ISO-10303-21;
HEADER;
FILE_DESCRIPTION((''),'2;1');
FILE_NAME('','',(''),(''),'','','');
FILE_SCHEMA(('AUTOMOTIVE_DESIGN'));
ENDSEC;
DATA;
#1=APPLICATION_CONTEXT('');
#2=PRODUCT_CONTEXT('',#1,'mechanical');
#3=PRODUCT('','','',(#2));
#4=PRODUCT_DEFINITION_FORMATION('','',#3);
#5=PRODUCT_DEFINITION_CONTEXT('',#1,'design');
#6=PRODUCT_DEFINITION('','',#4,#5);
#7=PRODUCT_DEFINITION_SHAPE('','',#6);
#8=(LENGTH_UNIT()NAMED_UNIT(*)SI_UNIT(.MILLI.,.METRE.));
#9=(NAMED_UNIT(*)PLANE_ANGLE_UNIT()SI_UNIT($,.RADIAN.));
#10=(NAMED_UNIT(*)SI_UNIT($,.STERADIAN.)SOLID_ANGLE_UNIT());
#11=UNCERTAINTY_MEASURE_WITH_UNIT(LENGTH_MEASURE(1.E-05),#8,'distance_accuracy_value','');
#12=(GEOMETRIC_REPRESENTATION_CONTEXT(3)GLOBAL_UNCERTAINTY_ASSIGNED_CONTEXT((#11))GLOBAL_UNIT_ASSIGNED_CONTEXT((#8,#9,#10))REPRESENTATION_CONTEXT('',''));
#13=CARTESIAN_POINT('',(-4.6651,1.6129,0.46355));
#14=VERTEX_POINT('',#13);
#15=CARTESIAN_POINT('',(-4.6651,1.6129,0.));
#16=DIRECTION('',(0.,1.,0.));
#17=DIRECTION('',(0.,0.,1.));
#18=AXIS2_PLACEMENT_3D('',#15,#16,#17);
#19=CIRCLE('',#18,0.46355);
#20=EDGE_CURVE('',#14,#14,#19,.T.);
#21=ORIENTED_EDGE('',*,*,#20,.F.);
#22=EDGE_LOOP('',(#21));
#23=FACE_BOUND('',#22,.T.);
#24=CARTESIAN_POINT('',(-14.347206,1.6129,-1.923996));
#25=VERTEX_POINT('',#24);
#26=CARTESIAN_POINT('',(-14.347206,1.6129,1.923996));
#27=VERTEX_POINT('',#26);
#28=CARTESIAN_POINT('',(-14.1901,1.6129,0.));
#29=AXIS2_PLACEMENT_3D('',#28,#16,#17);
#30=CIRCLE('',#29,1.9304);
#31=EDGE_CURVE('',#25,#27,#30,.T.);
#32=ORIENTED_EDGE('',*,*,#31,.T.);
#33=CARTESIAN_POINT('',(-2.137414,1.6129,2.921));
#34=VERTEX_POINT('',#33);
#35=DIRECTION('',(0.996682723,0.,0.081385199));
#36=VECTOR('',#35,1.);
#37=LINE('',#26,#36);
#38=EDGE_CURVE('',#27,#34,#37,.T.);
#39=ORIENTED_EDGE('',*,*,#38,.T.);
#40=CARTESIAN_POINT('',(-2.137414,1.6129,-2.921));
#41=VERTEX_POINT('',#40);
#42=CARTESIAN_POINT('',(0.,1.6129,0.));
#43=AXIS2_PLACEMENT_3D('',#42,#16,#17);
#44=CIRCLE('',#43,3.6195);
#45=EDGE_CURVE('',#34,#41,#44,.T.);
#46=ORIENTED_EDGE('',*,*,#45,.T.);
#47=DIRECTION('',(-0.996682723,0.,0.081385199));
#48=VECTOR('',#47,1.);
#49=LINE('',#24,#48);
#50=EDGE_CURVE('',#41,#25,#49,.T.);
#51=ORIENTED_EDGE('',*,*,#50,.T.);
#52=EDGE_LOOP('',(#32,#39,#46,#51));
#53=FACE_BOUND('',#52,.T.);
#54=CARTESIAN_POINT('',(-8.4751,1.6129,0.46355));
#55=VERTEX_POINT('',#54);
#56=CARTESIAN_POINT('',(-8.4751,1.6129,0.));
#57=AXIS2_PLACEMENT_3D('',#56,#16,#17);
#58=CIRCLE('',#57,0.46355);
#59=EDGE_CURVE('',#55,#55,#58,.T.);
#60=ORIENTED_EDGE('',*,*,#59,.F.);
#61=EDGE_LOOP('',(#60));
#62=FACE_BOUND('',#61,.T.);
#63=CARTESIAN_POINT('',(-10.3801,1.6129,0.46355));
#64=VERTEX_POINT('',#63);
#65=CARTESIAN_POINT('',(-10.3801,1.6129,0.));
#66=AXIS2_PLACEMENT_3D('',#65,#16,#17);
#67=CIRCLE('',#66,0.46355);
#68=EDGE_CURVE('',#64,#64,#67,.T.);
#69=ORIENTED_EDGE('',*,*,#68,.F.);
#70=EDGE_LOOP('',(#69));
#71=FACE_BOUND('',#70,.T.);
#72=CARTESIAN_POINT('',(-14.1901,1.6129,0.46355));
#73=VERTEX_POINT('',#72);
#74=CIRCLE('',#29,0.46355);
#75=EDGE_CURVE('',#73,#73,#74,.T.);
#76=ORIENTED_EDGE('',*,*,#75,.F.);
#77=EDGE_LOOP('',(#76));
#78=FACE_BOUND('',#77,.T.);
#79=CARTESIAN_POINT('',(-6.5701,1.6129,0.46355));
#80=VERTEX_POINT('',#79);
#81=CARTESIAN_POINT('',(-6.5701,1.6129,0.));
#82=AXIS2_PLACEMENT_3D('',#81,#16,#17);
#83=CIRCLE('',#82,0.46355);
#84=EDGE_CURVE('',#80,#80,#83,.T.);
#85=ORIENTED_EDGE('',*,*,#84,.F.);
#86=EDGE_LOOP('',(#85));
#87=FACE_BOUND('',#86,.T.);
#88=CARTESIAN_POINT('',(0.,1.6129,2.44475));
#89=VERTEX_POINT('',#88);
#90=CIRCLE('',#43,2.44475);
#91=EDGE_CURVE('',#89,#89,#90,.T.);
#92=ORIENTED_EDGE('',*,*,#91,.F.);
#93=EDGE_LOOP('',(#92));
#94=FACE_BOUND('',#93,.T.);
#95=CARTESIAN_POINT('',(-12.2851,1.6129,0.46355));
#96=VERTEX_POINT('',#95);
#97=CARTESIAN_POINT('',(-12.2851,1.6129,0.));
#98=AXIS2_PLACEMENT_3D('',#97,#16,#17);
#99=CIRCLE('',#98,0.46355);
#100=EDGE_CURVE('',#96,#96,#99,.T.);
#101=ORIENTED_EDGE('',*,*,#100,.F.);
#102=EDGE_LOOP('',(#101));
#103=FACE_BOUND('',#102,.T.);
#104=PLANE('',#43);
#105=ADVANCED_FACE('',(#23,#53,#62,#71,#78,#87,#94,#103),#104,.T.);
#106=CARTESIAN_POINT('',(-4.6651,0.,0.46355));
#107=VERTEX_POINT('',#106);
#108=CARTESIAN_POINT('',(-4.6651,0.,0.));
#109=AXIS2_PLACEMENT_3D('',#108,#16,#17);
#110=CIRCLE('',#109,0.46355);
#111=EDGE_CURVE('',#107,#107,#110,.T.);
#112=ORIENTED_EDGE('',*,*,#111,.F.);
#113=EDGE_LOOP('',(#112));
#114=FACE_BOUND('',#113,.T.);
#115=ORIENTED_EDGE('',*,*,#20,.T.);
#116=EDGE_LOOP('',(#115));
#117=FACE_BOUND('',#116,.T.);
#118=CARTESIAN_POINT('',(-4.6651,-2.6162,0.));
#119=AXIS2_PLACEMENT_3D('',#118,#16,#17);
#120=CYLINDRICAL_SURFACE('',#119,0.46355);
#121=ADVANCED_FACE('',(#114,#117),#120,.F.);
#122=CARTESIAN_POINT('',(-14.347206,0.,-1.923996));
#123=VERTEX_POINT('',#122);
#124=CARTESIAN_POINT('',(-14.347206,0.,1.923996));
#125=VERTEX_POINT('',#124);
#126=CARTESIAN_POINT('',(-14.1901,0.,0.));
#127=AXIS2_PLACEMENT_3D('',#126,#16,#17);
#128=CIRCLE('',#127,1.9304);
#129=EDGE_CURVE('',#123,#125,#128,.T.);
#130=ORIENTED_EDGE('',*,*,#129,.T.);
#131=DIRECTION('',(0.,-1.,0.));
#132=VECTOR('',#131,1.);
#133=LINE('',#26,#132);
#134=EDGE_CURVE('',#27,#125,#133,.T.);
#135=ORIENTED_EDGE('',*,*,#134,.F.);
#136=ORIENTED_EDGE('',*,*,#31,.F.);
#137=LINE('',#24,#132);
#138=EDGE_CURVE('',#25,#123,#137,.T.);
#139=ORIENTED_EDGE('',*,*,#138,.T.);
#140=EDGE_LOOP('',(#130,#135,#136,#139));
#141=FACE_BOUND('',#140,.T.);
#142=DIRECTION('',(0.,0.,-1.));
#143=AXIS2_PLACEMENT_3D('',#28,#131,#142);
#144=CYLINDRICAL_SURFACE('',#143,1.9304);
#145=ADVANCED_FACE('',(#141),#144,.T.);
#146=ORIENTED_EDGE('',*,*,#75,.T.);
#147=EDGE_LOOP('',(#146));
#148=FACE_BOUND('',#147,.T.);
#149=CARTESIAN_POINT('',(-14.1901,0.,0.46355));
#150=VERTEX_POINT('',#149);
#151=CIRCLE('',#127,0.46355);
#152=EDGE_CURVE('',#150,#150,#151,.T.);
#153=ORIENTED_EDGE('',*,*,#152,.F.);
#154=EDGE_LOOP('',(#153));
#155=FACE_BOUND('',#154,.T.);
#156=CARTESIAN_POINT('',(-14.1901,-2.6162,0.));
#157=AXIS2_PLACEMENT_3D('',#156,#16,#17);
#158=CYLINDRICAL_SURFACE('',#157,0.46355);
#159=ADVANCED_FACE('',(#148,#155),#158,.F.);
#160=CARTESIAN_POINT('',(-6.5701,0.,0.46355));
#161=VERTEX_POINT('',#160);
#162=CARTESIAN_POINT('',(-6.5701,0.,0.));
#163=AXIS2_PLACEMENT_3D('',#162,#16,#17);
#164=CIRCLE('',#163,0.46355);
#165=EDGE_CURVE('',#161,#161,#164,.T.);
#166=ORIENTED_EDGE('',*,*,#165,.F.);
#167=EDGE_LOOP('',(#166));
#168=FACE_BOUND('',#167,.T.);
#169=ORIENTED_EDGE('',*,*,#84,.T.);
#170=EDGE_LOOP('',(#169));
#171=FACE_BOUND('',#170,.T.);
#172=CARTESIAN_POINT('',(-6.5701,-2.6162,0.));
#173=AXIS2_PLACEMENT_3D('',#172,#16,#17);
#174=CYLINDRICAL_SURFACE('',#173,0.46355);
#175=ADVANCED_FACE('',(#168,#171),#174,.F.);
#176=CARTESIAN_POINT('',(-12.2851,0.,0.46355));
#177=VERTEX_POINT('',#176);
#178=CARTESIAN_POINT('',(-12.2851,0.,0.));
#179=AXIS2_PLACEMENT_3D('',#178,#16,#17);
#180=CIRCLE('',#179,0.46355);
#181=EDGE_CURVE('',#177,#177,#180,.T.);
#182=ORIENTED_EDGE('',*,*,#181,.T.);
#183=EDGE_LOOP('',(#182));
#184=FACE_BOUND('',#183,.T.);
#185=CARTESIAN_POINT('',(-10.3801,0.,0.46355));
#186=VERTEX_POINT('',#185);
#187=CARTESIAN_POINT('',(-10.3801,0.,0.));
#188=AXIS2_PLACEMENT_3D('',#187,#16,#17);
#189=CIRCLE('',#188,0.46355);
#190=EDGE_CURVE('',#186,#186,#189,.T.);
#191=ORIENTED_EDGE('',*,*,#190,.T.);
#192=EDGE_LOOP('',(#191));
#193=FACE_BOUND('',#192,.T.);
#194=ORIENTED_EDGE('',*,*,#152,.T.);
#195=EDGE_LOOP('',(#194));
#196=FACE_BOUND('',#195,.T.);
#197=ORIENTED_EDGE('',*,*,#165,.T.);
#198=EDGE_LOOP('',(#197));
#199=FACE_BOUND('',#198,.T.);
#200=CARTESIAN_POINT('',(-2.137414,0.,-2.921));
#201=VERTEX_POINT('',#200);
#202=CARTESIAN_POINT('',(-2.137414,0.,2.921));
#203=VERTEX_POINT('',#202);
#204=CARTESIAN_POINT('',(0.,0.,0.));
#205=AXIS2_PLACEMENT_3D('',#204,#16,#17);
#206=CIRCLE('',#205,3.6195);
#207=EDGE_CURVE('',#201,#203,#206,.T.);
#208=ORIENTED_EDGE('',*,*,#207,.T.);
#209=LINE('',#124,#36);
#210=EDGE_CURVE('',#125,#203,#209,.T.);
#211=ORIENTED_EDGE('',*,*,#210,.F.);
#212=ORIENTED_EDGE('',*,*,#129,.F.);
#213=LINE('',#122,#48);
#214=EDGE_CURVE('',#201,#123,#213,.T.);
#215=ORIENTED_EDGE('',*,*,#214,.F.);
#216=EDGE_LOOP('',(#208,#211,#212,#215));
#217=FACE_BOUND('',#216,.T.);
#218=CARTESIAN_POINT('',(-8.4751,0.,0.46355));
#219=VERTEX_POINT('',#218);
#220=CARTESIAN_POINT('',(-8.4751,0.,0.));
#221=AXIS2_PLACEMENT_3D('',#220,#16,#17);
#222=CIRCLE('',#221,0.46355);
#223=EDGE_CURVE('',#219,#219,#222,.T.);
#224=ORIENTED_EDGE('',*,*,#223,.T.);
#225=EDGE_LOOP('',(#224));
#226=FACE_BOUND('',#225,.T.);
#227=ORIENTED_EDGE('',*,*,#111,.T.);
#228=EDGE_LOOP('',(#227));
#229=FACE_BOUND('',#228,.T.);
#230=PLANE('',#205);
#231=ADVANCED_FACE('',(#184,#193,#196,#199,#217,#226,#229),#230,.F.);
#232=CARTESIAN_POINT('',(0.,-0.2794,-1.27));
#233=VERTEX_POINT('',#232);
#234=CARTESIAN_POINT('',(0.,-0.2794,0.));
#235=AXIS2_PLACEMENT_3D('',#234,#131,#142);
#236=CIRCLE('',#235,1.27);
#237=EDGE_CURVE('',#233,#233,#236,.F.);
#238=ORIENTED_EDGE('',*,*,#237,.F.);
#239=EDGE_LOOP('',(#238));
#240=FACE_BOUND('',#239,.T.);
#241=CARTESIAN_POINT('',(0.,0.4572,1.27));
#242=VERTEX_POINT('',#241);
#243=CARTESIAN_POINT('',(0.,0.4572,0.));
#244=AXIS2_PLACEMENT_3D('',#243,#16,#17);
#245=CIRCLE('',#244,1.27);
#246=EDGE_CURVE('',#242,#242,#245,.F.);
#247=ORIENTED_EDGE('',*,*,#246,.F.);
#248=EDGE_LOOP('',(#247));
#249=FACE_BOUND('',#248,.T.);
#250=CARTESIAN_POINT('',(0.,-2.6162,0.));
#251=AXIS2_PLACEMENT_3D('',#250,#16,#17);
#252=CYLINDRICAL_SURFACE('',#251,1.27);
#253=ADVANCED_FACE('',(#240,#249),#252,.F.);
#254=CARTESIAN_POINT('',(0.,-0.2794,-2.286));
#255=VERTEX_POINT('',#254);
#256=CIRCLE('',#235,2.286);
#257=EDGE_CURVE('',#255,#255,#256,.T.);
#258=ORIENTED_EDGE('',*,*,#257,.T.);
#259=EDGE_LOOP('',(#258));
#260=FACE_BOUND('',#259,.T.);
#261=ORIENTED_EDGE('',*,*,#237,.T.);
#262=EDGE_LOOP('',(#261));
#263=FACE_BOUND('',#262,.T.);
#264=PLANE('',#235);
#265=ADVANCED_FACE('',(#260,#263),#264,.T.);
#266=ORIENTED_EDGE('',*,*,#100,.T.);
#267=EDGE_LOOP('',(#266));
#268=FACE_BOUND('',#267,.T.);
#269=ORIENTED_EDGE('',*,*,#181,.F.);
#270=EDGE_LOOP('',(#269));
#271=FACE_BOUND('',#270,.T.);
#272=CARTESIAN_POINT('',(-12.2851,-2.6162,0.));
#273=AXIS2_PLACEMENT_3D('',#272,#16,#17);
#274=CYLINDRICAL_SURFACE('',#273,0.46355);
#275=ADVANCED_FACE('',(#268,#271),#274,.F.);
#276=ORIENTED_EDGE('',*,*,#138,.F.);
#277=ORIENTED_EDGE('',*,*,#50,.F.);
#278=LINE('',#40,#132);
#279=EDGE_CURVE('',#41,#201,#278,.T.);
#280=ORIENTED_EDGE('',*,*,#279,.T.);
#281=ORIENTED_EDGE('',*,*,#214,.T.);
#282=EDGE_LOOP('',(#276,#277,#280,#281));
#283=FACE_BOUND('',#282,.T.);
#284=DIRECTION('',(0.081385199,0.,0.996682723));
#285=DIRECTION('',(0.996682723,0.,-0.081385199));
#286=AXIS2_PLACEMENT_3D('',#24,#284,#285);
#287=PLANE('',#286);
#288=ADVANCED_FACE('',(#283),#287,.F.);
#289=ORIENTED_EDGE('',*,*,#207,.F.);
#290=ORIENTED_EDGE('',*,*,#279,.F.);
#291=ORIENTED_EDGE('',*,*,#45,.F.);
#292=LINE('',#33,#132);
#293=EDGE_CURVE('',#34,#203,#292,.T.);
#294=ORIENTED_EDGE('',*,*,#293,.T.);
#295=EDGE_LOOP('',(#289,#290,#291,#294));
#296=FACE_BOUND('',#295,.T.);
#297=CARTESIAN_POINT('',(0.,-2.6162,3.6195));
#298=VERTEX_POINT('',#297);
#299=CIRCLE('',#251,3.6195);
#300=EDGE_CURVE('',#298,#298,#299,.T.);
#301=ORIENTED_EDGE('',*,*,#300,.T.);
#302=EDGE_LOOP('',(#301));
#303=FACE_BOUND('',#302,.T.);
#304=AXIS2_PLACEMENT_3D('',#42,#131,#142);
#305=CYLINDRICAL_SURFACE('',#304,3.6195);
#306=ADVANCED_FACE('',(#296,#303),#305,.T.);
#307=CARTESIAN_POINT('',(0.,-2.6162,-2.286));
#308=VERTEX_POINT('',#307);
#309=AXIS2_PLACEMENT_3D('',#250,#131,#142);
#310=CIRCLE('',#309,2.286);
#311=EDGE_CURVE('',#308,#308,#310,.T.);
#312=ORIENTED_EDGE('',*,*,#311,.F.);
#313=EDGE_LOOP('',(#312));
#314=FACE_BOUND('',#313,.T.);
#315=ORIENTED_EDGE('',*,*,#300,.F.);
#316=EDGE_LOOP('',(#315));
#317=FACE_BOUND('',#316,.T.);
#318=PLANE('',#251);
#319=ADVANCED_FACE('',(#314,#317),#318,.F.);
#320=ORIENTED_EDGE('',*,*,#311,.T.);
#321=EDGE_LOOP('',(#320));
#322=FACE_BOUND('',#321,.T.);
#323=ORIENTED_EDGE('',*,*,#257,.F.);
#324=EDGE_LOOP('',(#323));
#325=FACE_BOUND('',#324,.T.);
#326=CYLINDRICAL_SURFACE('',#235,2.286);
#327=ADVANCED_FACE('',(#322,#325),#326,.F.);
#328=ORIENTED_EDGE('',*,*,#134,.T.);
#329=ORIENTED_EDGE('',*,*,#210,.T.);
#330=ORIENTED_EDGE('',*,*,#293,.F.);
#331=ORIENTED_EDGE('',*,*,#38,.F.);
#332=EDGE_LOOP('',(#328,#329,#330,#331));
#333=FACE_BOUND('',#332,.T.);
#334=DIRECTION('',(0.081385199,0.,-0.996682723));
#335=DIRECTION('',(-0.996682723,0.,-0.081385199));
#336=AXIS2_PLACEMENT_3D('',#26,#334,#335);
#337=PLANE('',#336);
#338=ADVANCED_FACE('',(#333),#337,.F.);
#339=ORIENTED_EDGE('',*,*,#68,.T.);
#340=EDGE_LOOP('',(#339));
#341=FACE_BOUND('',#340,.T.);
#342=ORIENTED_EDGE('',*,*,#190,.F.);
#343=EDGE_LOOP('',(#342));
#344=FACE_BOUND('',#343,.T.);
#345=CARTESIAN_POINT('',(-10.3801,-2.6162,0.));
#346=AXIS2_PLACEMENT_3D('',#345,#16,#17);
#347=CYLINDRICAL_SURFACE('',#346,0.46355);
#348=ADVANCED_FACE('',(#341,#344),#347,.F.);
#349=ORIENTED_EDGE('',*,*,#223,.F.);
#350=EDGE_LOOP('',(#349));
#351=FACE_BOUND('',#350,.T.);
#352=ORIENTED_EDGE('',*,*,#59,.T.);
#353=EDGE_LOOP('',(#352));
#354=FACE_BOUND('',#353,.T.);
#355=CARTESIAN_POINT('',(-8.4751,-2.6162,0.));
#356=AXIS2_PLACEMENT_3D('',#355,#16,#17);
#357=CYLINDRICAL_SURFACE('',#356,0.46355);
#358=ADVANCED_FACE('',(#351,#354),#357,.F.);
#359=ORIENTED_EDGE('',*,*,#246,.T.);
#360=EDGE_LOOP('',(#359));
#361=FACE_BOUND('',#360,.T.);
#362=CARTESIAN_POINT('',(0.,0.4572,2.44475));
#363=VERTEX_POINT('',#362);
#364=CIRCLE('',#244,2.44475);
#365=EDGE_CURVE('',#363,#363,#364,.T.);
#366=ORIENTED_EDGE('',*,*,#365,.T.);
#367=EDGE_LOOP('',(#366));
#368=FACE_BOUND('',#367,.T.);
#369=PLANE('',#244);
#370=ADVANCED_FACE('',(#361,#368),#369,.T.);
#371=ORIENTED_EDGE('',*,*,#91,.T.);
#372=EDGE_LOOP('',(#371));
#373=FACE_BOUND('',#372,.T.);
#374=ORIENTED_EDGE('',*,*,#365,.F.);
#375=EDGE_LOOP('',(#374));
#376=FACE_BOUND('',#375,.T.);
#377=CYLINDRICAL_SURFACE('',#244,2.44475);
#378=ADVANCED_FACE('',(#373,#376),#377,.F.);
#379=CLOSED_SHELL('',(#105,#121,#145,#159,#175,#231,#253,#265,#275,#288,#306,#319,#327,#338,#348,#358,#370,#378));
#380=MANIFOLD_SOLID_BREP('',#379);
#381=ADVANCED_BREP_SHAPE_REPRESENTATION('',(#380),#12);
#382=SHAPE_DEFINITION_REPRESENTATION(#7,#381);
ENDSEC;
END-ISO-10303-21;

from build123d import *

# Parameters (mm, degrees)
EXTRUDE17_DEPTH = 1.6129
SKETCH19_R      = 3.6195
EXTRUDE19_DEPTH = 4.2291
SKETCH20_R      = 0.46355
SKETCH20_R_2    = 1.27
EXTRUDE20_DEPTH = 5.2291
SKETCH21_R      = 2.44475
EXTRUDE21_DEPTH = 1.1557
SKETCH22_R      = 2.286
EXTRUDE22_DEPTH = 2.3368


with BuildPart() as part:
    # Sketch18 → Extrude17 (new body)
    with BuildSketch(Plane(origin=(0, 0, 0), x_dir=(1, 0, 0), z_dir=(0, 1, 0))):
        with BuildLine():
            Line((-14.347205988, 1.923996328), (-2.13741415, 2.921))
            ThreePointArc((-2.13741415, 2.921), (3.6195, 0), (-2.13741415, -2.921))
            Line((-2.13741415, -2.921), (-14.347205988, -1.923996328))
            ThreePointArc((-14.347205988, -1.923996328), (-16.1205, 0), (-14.347205988, 1.923996328))
        make_face()
    extrude(amount=EXTRUDE17_DEPTH)

    # Sketch19 → Extrude19 (add)
    with BuildSketch(Plane(origin=(0, 1.6129, 0), x_dir=(1, 0, 0), z_dir=(0, 1, 0))):
        Circle(SKETCH19_R)
    extrude(amount=-EXTRUDE19_DEPTH)

    # Sketch20 → Extrude20 (cut, through all)
    with BuildSketch(Plane(origin=(0, 1.6129, 0), x_dir=(1, 0, 0), z_dir=(0, 1, 0))):
        with Locations((-14.1901, 0)):
            Circle(SKETCH20_R)
        Circle(SKETCH20_R_2)
        with Locations((-4.6651, 0)):
            Circle(SKETCH20_R)
        with Locations((-6.5701, 0)):
            Circle(SKETCH20_R)
        with Locations((-8.4751, 0)):
            Circle(SKETCH20_R)
        with Locations((-10.3801, 0)):
            Circle(SKETCH20_R)
        with Locations((-12.2851, 0)):
            Circle(SKETCH20_R)
    extrude(amount=-EXTRUDE20_DEPTH, mode=Mode.SUBTRACT)

    # Sketch21 → Extrude21 (cut)
    with BuildSketch(Plane(origin=(0, 1.6129, 0), x_dir=(1, 0, 0), z_dir=(0, 1, 0))):
        Circle(SKETCH21_R)
    extrude(amount=-EXTRUDE21_DEPTH, mode=Mode.SUBTRACT)

    # Sketch22 → Extrude22 (cut)
    with BuildSketch(Plane.XZ.offset(2.6162)):
        Circle(SKETCH22_R)
    extrude(amount=-EXTRUDE22_DEPTH, mode=Mode.SUBTRACT)


solid = part.part
